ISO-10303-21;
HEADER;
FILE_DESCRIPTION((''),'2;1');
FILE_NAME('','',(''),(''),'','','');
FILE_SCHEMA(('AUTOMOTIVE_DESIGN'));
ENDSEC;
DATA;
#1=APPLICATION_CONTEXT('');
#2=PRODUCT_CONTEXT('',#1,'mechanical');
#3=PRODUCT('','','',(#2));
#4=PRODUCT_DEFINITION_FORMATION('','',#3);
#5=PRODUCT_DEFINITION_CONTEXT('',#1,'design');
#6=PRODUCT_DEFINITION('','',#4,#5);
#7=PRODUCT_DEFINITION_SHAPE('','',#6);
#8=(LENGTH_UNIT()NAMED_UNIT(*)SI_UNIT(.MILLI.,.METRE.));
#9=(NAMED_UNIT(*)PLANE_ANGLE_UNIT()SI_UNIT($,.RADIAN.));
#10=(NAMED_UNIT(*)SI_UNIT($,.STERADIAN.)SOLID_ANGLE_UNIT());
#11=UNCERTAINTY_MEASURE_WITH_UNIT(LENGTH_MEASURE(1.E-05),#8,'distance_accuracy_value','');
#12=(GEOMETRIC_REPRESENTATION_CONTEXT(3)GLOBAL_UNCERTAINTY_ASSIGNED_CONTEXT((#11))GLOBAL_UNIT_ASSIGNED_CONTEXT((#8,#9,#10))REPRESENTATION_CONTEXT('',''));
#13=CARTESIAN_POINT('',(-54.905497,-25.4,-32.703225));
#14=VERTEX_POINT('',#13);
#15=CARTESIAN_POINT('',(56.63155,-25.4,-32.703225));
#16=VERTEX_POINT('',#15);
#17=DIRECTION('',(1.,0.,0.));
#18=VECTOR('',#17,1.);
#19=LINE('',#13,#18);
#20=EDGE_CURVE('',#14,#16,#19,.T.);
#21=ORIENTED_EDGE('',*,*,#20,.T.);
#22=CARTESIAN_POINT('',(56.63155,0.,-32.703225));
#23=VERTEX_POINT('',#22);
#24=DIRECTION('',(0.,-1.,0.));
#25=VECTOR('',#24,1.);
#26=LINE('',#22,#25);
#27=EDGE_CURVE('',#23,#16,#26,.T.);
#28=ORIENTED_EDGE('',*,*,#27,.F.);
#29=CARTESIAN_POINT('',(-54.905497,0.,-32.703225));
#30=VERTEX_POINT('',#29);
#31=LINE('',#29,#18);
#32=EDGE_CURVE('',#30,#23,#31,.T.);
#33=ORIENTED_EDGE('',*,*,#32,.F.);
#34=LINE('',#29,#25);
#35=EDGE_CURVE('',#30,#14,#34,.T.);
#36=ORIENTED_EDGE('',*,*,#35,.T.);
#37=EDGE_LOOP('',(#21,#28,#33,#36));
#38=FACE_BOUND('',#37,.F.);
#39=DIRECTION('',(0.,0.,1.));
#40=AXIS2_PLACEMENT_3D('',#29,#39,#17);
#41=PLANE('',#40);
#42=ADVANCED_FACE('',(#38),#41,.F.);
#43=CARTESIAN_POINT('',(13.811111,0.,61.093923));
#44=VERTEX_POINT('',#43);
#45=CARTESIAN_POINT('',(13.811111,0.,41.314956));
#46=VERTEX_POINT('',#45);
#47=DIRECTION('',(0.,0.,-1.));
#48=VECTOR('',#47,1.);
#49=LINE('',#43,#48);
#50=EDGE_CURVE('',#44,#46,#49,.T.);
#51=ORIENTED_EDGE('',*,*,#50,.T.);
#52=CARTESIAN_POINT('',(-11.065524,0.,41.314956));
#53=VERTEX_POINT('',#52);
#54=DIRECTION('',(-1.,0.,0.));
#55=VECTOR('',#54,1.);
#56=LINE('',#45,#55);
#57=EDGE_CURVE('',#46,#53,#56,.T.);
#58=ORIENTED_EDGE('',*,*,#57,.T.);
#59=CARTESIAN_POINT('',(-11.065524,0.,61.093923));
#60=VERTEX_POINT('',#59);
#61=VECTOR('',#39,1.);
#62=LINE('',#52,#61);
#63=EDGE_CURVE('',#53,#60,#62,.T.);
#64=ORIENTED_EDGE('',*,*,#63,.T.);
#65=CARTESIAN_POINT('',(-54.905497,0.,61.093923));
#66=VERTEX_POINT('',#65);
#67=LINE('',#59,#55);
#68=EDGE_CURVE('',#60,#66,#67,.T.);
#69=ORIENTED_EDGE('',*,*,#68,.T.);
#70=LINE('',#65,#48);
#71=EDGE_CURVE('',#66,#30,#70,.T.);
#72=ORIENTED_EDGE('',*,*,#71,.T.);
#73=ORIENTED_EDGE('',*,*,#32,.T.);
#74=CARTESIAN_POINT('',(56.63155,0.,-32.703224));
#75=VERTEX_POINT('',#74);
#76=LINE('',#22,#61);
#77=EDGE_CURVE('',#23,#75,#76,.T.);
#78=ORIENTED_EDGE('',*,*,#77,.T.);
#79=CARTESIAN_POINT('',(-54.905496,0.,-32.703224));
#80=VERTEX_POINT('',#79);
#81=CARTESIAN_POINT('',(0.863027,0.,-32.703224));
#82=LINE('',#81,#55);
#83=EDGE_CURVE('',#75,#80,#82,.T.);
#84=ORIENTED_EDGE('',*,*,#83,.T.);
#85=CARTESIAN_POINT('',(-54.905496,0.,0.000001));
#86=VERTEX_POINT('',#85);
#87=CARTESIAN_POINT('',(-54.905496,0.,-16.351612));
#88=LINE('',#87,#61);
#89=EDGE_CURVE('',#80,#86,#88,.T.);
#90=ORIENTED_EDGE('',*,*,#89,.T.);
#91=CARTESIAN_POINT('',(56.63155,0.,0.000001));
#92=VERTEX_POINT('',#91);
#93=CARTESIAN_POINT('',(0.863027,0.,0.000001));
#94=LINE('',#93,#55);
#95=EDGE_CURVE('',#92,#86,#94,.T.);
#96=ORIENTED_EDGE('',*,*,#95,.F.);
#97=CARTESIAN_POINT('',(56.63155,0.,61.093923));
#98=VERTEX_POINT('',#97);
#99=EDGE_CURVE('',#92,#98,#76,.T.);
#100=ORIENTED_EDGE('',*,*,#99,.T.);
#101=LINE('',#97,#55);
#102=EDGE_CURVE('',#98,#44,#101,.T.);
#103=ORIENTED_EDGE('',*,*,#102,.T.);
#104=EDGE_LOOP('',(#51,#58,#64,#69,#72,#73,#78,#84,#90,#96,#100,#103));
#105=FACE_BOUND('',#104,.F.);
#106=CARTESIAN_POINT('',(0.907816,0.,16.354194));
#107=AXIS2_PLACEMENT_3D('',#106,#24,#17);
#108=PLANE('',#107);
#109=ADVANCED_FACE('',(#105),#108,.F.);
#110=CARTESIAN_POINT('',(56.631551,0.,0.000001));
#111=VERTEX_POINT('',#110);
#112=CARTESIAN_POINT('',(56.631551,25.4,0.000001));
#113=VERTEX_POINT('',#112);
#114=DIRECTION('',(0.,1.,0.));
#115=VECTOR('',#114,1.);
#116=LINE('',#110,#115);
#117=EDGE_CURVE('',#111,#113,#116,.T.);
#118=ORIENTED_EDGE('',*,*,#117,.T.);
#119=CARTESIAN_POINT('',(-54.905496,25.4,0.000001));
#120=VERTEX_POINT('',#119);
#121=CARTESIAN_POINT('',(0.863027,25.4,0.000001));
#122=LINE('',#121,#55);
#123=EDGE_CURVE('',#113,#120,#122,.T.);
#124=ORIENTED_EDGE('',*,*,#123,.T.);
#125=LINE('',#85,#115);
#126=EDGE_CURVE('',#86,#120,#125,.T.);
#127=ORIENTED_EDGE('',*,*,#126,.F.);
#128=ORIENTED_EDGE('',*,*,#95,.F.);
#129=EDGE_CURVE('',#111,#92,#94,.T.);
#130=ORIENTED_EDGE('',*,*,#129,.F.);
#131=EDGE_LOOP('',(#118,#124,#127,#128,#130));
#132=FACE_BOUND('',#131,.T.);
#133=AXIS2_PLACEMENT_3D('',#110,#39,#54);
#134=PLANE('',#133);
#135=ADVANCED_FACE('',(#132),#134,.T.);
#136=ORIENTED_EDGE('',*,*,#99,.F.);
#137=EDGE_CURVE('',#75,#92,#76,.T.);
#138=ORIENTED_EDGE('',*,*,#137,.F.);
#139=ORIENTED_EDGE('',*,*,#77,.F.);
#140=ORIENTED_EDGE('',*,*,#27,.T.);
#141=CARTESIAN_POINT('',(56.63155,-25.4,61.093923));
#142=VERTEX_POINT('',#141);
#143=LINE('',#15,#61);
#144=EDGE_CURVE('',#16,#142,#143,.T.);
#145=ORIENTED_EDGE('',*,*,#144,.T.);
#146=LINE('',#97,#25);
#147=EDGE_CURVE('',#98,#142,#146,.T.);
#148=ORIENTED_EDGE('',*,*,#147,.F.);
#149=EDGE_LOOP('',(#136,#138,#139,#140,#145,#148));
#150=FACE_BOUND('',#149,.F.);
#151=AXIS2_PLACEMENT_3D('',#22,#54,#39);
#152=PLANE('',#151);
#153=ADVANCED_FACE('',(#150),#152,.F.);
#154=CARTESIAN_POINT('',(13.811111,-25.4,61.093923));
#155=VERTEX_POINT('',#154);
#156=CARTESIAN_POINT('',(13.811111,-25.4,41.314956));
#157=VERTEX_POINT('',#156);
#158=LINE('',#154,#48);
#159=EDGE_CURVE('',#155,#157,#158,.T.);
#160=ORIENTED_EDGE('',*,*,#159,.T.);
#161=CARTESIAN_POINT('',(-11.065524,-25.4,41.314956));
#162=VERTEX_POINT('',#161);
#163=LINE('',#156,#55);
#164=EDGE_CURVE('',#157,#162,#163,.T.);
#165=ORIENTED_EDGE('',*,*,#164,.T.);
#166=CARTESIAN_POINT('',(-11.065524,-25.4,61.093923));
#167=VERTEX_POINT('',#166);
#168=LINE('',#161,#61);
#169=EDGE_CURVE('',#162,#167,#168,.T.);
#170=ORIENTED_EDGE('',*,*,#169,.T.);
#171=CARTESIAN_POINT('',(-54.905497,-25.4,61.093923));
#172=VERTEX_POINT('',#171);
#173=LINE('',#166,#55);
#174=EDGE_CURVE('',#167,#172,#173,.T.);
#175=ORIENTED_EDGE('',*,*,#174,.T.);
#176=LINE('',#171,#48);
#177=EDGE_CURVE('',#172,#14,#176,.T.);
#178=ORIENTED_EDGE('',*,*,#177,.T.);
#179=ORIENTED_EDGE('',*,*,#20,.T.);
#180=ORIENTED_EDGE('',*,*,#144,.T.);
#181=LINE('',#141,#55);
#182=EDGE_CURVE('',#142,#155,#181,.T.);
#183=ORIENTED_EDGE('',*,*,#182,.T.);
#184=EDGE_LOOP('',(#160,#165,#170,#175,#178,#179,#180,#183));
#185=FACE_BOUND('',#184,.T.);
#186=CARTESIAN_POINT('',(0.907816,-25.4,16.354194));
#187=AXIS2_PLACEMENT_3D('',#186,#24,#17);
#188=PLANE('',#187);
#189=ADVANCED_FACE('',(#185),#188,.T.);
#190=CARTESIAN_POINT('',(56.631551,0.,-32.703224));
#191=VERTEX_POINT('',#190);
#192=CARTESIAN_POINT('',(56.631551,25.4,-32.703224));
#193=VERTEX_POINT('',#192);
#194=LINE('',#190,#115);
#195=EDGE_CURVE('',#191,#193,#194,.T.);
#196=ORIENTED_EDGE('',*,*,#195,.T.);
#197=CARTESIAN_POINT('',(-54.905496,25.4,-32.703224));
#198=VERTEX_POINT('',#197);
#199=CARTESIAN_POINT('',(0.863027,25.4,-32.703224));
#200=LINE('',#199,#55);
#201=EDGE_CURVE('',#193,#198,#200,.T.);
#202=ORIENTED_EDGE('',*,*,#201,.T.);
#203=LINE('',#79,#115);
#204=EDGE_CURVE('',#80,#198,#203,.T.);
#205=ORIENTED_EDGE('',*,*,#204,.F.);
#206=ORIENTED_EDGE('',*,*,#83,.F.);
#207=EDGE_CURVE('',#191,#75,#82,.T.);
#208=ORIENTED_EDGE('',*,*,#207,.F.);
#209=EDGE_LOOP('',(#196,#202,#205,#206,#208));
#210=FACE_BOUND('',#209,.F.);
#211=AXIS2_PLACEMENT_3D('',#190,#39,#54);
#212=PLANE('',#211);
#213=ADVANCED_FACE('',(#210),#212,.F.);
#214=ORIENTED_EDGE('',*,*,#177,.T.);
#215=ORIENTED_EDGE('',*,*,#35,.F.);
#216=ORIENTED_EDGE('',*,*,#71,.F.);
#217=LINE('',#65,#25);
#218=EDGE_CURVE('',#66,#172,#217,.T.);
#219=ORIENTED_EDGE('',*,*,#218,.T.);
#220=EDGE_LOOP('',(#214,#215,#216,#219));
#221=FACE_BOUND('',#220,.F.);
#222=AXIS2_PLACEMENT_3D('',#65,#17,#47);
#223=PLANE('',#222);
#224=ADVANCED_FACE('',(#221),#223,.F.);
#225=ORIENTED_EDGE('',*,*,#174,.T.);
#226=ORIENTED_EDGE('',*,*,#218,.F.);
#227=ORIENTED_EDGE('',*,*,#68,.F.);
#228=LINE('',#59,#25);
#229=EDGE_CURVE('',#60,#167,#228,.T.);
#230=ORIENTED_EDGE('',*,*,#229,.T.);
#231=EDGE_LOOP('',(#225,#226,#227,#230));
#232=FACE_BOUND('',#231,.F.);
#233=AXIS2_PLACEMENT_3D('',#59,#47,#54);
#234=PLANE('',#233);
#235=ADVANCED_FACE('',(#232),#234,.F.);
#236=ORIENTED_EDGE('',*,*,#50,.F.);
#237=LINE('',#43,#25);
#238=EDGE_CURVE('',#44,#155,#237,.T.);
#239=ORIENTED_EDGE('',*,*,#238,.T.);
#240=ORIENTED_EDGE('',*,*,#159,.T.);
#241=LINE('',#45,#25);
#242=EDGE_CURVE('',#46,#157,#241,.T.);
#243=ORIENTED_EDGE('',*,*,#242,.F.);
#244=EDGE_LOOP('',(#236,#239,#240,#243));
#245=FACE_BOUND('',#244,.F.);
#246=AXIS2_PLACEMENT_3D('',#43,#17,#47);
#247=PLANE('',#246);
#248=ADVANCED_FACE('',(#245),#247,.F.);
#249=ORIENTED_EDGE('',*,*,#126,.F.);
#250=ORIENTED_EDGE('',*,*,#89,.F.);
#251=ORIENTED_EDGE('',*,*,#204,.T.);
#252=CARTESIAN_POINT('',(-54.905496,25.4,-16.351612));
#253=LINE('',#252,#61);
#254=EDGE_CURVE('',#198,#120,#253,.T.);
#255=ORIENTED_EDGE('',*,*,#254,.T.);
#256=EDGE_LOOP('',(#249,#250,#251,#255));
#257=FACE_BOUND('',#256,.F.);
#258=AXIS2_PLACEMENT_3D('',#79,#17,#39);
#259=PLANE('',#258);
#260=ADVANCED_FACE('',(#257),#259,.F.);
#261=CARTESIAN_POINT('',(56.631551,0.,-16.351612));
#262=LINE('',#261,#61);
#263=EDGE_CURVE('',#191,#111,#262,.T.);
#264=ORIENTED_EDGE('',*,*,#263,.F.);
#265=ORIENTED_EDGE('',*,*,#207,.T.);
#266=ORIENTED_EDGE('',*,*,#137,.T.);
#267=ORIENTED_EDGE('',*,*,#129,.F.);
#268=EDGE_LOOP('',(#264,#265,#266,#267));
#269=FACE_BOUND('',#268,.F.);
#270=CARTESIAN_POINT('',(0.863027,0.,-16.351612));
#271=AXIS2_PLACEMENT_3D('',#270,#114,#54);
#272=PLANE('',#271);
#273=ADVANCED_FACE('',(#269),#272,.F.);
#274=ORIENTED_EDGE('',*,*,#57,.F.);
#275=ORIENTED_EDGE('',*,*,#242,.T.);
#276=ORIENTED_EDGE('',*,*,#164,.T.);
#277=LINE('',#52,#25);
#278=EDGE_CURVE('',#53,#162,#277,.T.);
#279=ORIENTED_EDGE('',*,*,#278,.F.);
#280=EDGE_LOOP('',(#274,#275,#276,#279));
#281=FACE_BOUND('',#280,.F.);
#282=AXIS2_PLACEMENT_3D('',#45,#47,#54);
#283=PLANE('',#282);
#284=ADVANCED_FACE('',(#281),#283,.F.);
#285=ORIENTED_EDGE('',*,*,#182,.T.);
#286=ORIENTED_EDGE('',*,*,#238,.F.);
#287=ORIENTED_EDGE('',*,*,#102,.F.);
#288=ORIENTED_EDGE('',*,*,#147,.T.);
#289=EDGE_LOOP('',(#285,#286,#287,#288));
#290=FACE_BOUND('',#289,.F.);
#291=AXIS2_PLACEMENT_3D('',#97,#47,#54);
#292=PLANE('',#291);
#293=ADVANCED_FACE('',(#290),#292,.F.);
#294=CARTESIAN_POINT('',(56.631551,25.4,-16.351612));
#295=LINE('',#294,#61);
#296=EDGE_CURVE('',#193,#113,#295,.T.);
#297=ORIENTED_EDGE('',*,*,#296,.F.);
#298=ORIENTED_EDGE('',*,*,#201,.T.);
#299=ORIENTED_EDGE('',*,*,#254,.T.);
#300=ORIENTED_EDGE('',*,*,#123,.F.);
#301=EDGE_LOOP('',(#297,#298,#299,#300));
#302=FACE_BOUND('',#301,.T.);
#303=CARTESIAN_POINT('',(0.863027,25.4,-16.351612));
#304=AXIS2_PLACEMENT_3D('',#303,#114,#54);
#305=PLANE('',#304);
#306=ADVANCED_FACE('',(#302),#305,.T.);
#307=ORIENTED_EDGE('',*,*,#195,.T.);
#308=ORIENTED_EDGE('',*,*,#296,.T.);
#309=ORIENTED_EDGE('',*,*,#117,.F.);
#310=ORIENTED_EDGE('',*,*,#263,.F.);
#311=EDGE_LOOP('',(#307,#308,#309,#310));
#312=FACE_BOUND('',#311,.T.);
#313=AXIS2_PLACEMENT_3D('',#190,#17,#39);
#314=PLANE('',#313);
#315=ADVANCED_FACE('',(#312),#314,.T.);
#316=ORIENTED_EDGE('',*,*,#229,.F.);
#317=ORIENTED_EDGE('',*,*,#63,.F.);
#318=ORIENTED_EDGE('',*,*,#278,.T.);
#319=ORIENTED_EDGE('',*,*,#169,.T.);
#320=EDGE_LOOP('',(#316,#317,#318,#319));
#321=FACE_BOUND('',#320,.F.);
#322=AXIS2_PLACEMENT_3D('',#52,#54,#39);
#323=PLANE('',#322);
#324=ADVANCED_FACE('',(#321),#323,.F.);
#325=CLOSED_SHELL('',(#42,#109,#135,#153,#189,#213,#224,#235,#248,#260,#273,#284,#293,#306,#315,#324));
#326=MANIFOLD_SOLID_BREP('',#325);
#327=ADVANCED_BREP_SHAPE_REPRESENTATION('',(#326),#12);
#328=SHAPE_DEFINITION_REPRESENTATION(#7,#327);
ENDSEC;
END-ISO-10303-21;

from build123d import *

# Parameters (mm, degrees)
F1_DEPTH = 25.4
F2_W     = 111.537047
F2_H     = 32.703225
F3_DEPTH = 25.4


with BuildPart() as f1:
    # F0 (on Front) → F1 (new body)
    with BuildSketch(Plane.XZ):
        Polygon((-54.905497, 61.093923), (-54.905497, 0), (-54.905497, -32.703225), (-22.688214, -32.703225), (56.63155, -32.703225), (56.63155, -22.711789), (56.63155, 61.093923), (13.811111, 61.093923), (13.811111, 41.314956), (-11.065524, 41.314956), (-11.065524, 61.093923), align=None)
    extrude(amount=F1_DEPTH)

    # F2 (on face) → F3 (join)
    with BuildSketch(Plane(origin=(0, 0, 0), x_dir=(-1, 0, 0), z_dir=(0, 1, 0))):
        with Locations((-0.863027, -16.351612)):
            Rectangle(F2_W, F2_H)
    extrude(amount=F3_DEPTH)


solid = f1.part
